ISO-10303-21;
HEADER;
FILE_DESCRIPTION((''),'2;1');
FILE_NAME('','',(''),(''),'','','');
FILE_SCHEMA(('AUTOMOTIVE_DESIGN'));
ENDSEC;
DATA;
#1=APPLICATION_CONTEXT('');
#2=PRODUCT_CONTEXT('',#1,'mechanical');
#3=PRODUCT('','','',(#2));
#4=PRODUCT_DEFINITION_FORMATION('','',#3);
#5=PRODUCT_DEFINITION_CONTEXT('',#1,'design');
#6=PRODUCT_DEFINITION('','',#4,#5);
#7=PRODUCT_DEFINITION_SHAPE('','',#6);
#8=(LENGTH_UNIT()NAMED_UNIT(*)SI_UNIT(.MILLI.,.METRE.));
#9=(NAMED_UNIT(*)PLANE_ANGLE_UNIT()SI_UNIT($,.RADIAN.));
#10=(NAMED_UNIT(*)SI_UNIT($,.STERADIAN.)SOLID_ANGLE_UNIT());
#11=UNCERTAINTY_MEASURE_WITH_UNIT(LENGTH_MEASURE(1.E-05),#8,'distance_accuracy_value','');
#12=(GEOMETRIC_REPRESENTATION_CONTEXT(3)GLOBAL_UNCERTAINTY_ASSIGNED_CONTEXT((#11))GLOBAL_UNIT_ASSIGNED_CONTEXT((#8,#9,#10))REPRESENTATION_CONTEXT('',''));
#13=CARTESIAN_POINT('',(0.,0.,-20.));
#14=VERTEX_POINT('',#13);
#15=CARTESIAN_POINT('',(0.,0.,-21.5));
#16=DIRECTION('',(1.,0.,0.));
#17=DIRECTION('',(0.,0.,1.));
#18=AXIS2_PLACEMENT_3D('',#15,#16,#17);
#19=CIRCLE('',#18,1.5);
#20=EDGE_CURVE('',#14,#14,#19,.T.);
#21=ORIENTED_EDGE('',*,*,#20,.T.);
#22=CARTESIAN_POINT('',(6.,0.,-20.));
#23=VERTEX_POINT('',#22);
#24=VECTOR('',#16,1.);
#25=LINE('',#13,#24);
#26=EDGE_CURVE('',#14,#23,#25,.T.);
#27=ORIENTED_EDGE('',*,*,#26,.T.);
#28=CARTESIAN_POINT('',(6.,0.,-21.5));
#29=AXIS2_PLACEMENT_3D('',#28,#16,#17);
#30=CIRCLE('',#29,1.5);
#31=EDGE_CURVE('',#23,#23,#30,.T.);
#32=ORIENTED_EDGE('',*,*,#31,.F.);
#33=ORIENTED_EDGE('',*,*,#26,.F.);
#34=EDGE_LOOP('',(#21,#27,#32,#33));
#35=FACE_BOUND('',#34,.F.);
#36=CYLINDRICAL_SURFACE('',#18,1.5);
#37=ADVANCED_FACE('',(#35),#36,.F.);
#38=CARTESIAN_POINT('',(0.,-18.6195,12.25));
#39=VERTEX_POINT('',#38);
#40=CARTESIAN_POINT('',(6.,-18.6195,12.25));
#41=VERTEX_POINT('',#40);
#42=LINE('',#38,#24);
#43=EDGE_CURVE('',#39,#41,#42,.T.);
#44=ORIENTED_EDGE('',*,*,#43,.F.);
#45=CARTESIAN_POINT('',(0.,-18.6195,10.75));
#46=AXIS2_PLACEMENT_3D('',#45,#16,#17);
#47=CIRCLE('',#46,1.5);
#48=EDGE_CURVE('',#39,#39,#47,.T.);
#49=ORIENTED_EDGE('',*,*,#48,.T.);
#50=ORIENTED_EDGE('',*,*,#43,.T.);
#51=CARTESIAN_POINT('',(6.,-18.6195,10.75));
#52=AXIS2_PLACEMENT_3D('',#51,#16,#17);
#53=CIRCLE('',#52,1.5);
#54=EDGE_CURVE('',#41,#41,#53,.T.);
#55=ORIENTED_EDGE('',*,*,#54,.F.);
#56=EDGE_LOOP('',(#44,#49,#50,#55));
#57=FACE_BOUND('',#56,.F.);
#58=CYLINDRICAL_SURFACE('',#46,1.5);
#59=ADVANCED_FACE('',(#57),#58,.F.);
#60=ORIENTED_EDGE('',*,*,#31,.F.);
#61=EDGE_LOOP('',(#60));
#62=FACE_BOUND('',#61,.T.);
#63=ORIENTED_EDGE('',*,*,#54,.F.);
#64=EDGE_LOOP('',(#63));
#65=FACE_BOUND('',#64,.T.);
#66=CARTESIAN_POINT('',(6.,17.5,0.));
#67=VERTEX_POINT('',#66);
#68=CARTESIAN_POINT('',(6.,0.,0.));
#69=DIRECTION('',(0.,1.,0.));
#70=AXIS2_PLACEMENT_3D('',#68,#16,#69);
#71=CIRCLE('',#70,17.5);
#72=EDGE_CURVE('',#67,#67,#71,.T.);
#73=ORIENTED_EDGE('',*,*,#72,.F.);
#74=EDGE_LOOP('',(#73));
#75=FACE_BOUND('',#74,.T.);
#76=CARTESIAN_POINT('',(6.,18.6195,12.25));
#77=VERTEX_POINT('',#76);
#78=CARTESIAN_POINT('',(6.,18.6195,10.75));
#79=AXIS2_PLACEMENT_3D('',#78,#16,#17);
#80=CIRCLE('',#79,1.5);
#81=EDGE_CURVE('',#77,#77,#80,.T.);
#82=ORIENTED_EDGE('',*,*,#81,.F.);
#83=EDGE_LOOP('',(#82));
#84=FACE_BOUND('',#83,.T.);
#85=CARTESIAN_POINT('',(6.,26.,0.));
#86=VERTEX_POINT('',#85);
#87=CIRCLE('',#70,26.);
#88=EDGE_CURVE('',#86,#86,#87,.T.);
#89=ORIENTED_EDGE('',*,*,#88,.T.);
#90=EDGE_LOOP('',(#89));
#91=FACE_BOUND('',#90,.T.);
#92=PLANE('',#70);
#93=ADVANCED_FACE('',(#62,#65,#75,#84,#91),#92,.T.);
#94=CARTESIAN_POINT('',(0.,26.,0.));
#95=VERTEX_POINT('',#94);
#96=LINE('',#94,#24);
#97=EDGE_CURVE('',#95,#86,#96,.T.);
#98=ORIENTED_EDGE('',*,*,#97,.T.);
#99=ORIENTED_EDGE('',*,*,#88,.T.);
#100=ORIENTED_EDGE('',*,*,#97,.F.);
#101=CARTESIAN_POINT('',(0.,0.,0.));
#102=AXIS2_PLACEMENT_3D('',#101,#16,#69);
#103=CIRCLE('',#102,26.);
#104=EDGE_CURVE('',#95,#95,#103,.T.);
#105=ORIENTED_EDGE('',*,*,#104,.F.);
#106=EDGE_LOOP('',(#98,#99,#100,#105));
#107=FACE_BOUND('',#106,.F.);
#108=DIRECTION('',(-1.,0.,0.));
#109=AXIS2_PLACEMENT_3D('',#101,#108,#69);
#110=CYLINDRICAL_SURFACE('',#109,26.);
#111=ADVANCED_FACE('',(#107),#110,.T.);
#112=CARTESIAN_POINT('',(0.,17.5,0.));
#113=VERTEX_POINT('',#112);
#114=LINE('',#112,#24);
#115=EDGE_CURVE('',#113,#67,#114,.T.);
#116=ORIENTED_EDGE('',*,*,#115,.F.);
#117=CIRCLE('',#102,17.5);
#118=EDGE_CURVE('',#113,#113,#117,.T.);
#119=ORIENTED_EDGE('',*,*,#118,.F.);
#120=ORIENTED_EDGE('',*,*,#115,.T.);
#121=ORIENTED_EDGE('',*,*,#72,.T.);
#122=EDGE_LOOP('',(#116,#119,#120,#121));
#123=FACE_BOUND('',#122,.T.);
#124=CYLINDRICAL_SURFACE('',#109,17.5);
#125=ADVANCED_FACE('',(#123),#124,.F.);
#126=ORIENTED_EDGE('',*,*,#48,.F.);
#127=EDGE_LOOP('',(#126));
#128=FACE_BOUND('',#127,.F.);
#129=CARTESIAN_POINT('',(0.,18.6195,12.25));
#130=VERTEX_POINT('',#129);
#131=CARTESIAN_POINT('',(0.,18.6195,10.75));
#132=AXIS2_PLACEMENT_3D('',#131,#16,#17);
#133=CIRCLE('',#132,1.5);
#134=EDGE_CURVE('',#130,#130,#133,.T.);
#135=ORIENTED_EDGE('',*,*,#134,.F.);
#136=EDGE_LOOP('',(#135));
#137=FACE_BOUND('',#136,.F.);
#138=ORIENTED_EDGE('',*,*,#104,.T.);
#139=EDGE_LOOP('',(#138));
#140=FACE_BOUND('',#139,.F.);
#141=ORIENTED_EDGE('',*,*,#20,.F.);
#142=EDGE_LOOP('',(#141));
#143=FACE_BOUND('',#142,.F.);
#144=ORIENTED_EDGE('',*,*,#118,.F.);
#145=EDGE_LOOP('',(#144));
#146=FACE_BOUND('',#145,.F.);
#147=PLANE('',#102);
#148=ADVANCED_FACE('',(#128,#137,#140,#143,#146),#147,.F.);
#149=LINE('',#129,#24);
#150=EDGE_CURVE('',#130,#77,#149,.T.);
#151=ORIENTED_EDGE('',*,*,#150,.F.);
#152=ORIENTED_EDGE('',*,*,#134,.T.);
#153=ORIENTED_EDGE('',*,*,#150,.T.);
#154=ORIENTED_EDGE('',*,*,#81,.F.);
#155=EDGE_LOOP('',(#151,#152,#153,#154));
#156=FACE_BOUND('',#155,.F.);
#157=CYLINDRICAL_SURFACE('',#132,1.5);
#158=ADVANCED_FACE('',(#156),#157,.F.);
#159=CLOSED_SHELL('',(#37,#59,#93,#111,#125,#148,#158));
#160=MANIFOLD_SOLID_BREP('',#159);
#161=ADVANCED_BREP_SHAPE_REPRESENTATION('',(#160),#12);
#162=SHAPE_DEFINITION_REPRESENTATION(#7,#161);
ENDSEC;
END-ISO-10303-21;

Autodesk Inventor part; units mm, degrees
ref_plane "YZ Plane" through (0, 0, 0) normal (1, 0, 0) x (0, 1, 0)
ref_plane "XZ Plane" through (0, 0, 0) normal (0, 1, 0) x (-1, 0, 0)
ref_plane "XY Plane" through (0, 0, 0) normal (0, 0, 1) x (1, 0, 0)
sketch "Sketch1" plane through (0, 0, 0) normal (1, 0, 0) x (0, 1, 0)
  circle A0 centre (0, 0) radius 26
  circle A1 centre (0, 0) radius 17.5
  line L0 (9.2645, 0) -> (-12.3906, 0) construction
  circle A2 centre (0, 0) radius 21.5 construction
  line L1 (0, 0) -> (0, -36.6713) construction
  point P0 (0, -21.5)
  point P1 (18.6195, 10.75)
  point P2 (-18.6195, 10.75)
  dimension "d1" = 43
  dimension "d0" = 35
  dimension "d2" = 52
  dimension "d5" = 360
extrude "Extrusion1" add sketch "Sketch1" along normal blind 6
hole "Hole1" at (0, 0, -21.5) at (0, 18.6195, 10.75) at (0, -18.6195, 10.75) direction (1, 0, 0) diameter 3 depth 10 tip angle 118
properties part number "Soporte2_Rodamientos"
